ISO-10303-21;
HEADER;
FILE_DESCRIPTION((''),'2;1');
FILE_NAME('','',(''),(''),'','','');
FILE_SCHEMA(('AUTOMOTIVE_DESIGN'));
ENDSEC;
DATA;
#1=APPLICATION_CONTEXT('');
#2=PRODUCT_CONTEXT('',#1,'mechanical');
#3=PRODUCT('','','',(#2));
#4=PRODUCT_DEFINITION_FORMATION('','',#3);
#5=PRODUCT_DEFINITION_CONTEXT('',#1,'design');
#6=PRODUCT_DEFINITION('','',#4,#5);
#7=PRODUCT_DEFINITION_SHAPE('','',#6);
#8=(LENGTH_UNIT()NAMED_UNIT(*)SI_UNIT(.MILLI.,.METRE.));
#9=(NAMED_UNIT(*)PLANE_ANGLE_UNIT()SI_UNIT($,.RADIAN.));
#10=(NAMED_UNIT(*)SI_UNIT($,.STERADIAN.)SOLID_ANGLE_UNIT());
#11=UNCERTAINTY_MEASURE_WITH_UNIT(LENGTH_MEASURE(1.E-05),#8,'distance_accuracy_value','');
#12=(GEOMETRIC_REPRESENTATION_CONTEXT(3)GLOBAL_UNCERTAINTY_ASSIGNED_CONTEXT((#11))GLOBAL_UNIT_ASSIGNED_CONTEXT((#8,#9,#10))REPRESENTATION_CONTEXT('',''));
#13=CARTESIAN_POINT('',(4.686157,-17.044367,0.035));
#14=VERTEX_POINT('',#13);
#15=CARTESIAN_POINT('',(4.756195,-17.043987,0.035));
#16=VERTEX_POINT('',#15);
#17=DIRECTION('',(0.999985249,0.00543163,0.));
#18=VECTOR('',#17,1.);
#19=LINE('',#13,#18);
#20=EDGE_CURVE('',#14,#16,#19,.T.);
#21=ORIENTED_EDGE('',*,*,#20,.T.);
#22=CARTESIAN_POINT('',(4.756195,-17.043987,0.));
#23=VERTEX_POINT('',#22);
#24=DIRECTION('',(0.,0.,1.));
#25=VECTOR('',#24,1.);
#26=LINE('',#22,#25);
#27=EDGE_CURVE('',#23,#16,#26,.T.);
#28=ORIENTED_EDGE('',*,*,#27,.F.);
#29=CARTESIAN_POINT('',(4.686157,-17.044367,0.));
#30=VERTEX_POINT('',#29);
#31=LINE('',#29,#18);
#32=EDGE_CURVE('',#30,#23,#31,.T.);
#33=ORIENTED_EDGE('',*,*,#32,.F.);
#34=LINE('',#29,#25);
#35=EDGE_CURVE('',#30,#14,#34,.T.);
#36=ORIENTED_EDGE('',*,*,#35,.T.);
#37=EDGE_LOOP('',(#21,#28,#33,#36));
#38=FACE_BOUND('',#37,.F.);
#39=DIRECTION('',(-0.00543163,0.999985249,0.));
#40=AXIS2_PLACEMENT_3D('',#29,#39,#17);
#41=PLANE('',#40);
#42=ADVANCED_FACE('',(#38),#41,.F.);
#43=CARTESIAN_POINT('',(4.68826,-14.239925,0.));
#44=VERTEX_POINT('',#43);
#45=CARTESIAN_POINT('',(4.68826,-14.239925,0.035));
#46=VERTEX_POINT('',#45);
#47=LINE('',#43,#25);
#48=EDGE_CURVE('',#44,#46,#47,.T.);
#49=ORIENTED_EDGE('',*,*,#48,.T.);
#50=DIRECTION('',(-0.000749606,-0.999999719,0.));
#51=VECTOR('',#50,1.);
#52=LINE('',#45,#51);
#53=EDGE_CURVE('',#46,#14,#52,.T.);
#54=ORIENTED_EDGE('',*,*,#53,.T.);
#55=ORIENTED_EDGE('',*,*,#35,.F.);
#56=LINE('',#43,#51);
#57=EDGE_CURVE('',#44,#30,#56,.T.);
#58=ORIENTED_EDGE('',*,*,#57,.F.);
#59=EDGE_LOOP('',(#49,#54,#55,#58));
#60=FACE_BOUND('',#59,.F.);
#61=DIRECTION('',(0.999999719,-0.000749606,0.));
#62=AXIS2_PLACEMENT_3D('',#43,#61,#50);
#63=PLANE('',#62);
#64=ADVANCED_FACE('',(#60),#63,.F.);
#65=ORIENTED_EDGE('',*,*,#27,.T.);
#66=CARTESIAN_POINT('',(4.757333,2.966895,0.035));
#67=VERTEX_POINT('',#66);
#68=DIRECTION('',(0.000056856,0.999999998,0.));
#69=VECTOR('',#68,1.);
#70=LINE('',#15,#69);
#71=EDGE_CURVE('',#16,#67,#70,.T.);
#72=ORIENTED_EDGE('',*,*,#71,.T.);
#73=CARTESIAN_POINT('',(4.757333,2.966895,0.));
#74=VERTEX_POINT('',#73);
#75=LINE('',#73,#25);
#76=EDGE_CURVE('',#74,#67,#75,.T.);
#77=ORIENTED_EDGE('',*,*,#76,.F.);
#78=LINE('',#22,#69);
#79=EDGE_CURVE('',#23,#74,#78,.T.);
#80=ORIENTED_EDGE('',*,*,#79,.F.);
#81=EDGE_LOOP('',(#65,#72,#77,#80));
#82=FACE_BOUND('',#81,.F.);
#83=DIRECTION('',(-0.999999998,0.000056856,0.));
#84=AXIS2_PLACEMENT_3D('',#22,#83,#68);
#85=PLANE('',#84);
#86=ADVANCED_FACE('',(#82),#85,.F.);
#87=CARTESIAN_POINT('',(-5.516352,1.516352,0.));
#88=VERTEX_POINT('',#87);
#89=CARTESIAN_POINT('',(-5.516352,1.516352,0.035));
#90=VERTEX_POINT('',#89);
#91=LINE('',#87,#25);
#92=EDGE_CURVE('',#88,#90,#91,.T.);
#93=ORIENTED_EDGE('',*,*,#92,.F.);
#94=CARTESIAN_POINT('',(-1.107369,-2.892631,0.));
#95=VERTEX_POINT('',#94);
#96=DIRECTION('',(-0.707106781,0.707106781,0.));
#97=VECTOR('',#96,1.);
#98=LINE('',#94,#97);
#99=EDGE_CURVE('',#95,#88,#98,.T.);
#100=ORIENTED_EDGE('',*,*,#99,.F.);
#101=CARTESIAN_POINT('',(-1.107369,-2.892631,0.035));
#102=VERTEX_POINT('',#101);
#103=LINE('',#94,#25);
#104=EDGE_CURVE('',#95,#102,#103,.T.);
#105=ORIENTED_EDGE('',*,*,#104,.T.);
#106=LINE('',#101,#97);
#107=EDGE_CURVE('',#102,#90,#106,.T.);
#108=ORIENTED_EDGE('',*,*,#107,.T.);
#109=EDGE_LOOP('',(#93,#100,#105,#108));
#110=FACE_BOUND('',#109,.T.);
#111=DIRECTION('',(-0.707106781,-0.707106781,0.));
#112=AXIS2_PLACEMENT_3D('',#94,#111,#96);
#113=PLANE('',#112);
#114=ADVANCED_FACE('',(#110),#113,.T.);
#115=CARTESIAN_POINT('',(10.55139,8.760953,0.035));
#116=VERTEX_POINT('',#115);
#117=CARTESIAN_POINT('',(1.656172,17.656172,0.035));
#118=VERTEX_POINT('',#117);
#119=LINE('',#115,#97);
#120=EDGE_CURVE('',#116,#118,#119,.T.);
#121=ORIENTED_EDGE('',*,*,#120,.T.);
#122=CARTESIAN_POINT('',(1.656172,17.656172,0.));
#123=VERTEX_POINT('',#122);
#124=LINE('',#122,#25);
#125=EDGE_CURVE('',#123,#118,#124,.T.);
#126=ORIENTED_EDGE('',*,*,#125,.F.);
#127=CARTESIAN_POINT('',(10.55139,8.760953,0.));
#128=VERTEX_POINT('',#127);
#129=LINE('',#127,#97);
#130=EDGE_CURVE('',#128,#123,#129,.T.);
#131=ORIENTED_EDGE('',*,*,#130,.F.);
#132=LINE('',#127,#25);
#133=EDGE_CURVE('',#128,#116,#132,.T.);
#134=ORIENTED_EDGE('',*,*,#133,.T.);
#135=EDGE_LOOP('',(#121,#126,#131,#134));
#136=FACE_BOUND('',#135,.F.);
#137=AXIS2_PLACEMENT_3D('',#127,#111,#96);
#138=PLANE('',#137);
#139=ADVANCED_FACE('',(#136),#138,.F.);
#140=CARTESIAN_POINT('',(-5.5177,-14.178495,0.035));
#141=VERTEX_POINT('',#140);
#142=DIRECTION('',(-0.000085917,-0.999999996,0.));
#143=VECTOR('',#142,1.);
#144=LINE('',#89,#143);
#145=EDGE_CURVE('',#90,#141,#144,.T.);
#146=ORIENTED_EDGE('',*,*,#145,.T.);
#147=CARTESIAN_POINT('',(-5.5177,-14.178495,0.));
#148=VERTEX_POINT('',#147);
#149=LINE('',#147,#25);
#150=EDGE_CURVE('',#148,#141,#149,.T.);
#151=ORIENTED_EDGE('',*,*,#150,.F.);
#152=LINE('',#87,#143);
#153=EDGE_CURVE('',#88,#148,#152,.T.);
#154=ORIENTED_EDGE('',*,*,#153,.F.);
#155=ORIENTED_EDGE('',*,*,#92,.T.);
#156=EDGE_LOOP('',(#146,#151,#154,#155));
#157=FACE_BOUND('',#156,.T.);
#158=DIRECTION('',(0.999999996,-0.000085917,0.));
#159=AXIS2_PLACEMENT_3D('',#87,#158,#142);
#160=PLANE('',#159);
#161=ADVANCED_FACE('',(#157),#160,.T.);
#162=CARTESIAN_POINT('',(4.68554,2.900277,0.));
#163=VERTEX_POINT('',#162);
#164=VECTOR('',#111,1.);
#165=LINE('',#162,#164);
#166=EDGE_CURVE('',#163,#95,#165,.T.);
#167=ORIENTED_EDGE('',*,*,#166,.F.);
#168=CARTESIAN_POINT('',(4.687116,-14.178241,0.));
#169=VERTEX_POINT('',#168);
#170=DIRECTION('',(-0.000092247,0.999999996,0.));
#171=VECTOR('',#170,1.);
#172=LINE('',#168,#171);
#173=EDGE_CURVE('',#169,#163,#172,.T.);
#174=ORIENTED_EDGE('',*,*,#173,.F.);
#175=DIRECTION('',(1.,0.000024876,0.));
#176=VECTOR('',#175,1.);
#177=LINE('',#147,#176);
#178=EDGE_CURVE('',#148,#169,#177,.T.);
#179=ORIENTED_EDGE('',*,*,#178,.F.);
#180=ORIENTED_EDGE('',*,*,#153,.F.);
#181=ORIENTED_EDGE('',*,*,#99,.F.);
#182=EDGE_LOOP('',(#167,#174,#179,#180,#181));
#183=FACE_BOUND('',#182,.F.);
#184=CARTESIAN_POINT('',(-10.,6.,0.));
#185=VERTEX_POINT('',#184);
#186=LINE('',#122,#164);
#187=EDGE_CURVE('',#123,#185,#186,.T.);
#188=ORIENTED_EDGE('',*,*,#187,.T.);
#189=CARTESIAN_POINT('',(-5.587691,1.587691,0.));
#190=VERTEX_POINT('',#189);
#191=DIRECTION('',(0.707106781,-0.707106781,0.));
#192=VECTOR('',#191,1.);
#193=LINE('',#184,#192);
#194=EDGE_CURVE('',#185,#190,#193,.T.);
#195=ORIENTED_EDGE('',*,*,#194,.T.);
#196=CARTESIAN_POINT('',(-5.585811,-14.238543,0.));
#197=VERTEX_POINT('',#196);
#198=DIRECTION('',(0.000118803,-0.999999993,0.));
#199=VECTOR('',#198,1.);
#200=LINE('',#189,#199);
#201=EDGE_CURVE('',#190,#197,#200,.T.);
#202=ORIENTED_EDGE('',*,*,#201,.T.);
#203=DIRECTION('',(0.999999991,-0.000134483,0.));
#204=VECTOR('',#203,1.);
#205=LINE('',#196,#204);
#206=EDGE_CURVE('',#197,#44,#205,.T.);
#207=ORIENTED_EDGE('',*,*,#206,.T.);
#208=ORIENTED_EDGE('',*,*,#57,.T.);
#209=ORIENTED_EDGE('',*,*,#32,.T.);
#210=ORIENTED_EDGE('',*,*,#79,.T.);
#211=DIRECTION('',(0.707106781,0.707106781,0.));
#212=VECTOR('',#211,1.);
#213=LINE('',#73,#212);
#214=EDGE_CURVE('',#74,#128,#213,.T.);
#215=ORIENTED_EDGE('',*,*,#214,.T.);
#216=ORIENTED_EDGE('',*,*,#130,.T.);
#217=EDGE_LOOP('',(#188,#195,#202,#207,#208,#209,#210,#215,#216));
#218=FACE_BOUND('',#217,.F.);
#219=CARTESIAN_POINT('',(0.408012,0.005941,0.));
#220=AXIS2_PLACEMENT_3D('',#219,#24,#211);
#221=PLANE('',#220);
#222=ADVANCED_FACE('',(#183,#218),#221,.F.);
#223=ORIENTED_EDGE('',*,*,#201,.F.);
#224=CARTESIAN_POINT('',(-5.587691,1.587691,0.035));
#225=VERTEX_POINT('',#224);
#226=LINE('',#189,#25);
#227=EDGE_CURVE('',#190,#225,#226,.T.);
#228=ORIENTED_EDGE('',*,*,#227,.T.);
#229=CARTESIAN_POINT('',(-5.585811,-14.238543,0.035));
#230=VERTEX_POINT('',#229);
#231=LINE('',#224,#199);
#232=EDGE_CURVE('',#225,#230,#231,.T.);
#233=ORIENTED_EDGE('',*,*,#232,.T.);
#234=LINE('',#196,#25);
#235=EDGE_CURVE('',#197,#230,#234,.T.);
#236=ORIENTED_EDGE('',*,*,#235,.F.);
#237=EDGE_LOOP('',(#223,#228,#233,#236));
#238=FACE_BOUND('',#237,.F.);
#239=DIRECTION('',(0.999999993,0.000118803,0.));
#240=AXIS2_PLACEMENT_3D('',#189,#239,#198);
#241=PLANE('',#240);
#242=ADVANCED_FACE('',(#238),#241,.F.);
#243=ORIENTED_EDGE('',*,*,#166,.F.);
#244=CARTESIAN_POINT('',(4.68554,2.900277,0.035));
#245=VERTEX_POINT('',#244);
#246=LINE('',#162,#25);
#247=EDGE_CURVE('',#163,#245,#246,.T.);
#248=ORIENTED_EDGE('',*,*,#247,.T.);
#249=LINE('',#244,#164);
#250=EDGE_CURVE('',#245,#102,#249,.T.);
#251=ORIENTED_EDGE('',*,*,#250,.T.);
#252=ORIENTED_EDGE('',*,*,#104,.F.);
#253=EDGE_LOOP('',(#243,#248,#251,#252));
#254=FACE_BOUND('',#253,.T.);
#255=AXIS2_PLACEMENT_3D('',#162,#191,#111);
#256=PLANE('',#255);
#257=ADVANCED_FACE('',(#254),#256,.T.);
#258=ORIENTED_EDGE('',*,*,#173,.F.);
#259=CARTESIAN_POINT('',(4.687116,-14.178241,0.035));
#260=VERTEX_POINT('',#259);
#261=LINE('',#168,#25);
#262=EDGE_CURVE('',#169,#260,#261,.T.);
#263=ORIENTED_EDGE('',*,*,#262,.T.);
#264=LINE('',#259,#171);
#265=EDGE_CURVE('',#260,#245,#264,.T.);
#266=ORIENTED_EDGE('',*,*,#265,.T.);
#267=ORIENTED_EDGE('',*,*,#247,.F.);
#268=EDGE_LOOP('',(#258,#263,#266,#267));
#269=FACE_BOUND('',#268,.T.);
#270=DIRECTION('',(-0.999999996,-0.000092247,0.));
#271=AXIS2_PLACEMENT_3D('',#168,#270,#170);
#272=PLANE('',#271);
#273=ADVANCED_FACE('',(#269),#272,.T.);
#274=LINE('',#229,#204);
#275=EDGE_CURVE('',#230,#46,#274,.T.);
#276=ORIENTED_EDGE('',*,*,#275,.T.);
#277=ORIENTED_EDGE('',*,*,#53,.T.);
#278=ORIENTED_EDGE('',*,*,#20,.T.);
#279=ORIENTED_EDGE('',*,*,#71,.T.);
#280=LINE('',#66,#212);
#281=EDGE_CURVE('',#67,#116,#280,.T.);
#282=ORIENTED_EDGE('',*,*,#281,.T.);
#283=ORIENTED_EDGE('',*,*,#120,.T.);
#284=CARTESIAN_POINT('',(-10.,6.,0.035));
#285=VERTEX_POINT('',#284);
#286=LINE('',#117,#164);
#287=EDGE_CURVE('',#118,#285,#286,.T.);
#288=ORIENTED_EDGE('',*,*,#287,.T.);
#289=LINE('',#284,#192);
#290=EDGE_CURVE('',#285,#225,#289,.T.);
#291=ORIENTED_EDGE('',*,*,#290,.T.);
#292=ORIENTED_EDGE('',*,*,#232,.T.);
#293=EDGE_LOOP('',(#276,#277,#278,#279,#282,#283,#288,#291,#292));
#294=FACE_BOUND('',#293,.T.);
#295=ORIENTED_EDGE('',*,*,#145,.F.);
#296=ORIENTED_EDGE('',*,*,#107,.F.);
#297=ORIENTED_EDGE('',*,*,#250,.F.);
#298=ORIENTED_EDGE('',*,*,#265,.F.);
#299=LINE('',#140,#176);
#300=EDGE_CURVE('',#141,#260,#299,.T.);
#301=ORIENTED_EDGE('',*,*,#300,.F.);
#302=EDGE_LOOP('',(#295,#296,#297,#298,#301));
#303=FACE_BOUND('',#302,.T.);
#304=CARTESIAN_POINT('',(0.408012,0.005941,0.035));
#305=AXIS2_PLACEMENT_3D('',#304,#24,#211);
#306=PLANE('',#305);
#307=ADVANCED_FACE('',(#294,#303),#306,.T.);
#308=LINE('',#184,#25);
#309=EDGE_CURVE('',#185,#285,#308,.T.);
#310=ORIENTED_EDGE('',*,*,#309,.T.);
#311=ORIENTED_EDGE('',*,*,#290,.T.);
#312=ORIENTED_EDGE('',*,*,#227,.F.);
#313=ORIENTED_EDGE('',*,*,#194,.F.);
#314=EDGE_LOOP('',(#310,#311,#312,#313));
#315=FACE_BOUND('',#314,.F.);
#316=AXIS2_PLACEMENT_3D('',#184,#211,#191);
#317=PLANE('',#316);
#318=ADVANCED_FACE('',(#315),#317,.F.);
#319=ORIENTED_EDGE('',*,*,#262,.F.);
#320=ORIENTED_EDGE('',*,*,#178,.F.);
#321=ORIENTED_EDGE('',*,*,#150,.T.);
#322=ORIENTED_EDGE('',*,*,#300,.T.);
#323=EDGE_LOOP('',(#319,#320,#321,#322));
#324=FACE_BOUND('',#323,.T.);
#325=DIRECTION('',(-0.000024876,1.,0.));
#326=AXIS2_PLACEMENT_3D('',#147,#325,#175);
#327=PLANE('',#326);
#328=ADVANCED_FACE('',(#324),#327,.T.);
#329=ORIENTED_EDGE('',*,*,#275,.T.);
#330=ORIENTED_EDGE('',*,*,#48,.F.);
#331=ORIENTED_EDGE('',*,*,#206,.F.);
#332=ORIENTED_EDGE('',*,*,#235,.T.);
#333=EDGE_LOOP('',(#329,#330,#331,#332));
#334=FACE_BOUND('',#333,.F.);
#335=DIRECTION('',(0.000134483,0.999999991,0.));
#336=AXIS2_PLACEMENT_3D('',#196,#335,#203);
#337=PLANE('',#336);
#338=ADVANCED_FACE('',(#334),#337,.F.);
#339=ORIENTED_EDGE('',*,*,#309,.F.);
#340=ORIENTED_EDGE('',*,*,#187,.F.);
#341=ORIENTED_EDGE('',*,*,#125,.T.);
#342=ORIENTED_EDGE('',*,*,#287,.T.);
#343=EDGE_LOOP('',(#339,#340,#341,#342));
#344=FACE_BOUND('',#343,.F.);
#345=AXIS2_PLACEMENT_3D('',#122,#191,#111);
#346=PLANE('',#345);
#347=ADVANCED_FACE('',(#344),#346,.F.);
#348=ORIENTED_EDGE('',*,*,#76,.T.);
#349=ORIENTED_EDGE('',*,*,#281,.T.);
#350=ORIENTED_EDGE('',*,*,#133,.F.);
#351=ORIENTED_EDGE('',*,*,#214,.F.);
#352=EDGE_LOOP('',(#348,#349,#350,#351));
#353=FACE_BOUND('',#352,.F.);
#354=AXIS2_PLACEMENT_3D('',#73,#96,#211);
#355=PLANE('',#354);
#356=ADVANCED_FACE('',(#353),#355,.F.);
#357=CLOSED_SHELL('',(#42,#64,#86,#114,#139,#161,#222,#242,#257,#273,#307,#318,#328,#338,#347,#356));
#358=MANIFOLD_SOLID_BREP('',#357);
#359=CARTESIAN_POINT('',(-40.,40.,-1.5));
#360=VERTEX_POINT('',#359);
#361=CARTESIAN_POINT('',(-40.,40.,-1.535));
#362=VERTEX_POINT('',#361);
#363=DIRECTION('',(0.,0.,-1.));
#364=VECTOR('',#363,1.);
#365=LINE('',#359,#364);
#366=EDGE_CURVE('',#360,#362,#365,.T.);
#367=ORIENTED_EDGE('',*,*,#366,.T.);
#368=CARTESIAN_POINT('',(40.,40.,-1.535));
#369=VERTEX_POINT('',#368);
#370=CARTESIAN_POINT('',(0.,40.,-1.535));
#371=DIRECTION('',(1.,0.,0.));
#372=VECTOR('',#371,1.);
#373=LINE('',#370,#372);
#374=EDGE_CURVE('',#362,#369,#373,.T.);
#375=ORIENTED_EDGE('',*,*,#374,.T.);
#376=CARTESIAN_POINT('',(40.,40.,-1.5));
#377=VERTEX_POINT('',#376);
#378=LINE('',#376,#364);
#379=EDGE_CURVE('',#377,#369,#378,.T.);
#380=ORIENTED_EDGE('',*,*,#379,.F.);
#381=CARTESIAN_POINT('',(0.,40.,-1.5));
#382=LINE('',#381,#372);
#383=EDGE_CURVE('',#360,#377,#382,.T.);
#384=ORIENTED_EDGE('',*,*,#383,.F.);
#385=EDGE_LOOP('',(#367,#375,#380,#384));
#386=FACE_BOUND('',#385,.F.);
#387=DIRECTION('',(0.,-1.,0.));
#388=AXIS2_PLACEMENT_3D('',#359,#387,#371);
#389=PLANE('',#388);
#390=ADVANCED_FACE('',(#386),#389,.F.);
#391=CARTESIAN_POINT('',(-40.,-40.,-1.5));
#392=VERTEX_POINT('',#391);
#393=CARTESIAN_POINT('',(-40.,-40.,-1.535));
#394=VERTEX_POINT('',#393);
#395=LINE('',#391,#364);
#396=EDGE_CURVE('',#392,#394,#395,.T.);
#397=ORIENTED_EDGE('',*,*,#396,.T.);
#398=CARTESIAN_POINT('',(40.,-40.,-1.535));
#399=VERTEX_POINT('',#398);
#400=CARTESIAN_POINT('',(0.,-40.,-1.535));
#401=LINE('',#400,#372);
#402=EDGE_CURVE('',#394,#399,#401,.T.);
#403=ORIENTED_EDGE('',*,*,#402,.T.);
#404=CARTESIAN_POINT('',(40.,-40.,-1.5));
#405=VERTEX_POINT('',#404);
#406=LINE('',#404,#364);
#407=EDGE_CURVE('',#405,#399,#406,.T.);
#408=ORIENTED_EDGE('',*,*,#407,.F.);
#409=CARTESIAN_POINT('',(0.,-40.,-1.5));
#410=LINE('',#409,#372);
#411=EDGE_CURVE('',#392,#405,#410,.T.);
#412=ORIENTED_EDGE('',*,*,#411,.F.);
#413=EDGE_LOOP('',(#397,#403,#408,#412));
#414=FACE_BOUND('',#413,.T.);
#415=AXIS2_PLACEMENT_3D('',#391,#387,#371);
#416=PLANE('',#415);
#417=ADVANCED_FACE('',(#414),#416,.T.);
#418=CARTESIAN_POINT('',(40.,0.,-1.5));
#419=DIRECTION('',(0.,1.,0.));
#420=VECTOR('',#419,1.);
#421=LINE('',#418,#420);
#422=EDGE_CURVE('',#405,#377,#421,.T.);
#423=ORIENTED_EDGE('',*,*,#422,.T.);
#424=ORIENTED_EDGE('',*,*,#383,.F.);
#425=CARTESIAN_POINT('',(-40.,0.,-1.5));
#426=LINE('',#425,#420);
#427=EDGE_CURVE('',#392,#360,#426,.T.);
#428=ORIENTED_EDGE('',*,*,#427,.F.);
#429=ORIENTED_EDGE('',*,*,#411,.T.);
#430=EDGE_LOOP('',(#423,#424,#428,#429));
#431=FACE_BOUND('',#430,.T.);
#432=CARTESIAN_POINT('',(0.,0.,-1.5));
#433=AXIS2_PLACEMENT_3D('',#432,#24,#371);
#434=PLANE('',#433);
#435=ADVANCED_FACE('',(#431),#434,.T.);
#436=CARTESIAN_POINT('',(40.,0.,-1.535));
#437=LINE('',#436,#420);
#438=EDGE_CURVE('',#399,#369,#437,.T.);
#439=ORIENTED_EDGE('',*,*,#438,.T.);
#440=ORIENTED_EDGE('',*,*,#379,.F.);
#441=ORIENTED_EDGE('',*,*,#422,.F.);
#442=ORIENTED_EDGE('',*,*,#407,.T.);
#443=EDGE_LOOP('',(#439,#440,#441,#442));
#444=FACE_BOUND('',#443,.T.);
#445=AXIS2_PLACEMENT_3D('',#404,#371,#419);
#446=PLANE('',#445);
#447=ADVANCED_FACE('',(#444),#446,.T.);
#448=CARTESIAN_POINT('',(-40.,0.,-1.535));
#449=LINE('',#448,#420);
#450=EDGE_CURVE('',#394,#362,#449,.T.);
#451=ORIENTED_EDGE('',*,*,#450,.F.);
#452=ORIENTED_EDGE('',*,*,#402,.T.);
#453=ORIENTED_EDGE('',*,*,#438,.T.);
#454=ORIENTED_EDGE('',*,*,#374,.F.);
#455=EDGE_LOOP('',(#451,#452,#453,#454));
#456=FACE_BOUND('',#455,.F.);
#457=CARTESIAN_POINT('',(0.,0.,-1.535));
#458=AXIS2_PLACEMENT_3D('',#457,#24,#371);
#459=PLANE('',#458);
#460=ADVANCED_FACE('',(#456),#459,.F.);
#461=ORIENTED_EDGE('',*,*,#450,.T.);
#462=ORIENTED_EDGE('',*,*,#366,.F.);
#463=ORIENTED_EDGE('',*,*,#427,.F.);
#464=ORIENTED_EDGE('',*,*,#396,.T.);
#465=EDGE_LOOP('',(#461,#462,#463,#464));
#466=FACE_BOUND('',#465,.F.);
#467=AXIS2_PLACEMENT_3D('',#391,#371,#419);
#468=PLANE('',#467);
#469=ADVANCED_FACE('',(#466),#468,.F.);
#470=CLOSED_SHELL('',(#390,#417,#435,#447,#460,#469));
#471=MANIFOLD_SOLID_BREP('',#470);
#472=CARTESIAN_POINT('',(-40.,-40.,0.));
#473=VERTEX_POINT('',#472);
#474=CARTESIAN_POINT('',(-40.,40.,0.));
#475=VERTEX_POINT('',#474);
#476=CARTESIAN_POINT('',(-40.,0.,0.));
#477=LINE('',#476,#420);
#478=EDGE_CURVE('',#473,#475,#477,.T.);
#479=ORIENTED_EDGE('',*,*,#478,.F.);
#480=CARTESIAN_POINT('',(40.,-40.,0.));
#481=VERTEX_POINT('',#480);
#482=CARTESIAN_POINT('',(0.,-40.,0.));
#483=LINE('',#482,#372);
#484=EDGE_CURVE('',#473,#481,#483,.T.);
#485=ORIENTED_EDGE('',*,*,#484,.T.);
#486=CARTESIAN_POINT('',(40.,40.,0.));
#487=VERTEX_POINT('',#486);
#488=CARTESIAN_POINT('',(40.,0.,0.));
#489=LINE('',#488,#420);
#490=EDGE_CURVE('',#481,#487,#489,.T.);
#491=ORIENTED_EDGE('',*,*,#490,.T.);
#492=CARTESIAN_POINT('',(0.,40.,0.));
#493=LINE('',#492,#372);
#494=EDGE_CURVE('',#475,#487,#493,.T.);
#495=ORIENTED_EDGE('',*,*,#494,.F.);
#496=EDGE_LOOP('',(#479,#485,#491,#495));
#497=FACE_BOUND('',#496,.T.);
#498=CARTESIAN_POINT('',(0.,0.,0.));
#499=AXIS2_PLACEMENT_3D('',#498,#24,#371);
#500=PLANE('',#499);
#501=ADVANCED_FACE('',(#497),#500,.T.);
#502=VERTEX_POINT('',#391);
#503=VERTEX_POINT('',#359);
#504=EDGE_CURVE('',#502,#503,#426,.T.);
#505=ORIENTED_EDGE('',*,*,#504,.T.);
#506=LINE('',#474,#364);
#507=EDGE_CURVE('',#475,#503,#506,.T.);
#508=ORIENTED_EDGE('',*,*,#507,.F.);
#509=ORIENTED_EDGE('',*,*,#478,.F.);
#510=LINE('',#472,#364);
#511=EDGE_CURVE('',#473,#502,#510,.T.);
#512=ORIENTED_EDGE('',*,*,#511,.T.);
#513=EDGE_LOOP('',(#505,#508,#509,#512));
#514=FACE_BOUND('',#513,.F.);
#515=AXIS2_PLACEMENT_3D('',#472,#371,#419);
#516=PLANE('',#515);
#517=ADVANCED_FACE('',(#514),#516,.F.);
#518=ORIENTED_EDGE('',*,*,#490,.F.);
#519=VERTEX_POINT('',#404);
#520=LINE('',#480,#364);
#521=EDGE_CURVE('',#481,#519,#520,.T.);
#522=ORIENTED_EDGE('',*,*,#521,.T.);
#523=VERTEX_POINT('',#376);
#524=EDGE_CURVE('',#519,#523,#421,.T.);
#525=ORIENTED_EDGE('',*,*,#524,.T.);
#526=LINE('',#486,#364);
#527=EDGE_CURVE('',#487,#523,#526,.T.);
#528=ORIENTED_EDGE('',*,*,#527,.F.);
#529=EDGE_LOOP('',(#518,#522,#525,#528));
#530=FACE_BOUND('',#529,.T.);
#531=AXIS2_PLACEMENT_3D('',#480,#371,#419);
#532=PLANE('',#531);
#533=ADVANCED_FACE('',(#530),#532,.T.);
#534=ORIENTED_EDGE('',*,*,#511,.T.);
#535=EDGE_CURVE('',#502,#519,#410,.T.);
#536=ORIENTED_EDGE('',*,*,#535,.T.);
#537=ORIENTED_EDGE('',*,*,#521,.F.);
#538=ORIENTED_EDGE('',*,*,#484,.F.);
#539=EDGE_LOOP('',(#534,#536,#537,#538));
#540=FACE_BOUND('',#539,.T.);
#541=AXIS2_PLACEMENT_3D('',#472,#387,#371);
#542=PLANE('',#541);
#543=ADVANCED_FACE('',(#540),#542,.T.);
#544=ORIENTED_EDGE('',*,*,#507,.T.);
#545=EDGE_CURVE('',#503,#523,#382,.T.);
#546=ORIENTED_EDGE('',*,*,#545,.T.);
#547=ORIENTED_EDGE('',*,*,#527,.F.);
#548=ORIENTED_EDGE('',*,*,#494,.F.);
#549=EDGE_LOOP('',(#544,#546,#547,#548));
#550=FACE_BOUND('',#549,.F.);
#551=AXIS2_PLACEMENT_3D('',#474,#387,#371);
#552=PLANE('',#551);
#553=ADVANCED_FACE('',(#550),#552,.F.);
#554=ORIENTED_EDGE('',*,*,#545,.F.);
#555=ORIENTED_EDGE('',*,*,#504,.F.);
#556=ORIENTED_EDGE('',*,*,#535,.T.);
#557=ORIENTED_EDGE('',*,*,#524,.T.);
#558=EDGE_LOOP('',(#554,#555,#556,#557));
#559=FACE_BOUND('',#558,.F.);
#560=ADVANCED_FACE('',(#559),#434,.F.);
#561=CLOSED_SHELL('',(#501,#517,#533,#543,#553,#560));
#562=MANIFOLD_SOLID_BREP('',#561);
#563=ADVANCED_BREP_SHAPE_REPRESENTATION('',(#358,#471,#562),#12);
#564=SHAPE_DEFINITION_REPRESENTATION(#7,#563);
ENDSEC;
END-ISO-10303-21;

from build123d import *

# Parameters (mm, degrees)
EXTRUDE_DEPTH       = 0.035
EXTRUDE001_DEPTH    = 0.035
CUT_PLACEMENT_ANGLE = 45
SKETCH001_W         = 80
SKETCH001_H         = 80
EXTRUDE002_DEPTH    = 1.5
SKETCH004_W         = 80
SKETCH004_H         = 80
EXTRUDE003_DEPTH    = 0.035


with BuildPart() as extrude_body:
    # Sketch003 (on Sketch) → Extrude (new body)
    with BuildSketch(Plane.XY):
        Polygon((-11.098886, -17.437815), (-3.882812, -24.65353), (8.19241, -12.57608), (0, -12.57608), (0, -6.340836), align=None)
    extrude(amount=EXTRUDE_DEPTH)


with BuildPart() as antennasolid:
    # Sketch002 → Extrude001 (new body)
    with BuildSketch(Plane.XY):
        Polygon((0, 0), (0, -6.239947), (-11.189508, -17.432114), (-3.92562, -24.697956), (-5.910147, -26.67951), (-5.860354, -26.728765), (8.290281, -12.579739), (16.484316, -12.579739), (16.484316, 0), align=None)
    extrude(amount=EXTRUDE001_DEPTH)

    # Cut: cut Extrude body
    add(extrude_body.part, mode=Mode.SUBTRACT)


with BuildPart() as antennasolid_1:
    # Cut placement: moved
    add(antennasolid.part.moved(Location((-10, 6, 0))).rotate(Axis((-10, 6, 0), (0, 0, 1)), CUT_PLACEMENT_ANGLE))


with BuildPart() as substratesolid:
    # Sketch001 (on Sketch) → Extrude002 (new body)
    with BuildSketch(Plane.XY):
        Rectangle(SKETCH001_W, SKETCH001_H)
    extrude(amount=-EXTRUDE002_DEPTH)


with BuildPart() as gndsolid:
    # Sketch004 (on Sketch) → Extrude003 (new body)
    with BuildSketch(Plane.XY):
        Rectangle(SKETCH004_W, SKETCH004_H)
    extrude(amount=-EXTRUDE003_DEPTH)


with BuildPart() as gndsolid_1:
    # Extrude003 placement: moved
    add(gndsolid.part.moved(Location((0, 0, -1.5))))


solid = Compound([antennasolid_1.part, substratesolid.part, gndsolid_1.part])
